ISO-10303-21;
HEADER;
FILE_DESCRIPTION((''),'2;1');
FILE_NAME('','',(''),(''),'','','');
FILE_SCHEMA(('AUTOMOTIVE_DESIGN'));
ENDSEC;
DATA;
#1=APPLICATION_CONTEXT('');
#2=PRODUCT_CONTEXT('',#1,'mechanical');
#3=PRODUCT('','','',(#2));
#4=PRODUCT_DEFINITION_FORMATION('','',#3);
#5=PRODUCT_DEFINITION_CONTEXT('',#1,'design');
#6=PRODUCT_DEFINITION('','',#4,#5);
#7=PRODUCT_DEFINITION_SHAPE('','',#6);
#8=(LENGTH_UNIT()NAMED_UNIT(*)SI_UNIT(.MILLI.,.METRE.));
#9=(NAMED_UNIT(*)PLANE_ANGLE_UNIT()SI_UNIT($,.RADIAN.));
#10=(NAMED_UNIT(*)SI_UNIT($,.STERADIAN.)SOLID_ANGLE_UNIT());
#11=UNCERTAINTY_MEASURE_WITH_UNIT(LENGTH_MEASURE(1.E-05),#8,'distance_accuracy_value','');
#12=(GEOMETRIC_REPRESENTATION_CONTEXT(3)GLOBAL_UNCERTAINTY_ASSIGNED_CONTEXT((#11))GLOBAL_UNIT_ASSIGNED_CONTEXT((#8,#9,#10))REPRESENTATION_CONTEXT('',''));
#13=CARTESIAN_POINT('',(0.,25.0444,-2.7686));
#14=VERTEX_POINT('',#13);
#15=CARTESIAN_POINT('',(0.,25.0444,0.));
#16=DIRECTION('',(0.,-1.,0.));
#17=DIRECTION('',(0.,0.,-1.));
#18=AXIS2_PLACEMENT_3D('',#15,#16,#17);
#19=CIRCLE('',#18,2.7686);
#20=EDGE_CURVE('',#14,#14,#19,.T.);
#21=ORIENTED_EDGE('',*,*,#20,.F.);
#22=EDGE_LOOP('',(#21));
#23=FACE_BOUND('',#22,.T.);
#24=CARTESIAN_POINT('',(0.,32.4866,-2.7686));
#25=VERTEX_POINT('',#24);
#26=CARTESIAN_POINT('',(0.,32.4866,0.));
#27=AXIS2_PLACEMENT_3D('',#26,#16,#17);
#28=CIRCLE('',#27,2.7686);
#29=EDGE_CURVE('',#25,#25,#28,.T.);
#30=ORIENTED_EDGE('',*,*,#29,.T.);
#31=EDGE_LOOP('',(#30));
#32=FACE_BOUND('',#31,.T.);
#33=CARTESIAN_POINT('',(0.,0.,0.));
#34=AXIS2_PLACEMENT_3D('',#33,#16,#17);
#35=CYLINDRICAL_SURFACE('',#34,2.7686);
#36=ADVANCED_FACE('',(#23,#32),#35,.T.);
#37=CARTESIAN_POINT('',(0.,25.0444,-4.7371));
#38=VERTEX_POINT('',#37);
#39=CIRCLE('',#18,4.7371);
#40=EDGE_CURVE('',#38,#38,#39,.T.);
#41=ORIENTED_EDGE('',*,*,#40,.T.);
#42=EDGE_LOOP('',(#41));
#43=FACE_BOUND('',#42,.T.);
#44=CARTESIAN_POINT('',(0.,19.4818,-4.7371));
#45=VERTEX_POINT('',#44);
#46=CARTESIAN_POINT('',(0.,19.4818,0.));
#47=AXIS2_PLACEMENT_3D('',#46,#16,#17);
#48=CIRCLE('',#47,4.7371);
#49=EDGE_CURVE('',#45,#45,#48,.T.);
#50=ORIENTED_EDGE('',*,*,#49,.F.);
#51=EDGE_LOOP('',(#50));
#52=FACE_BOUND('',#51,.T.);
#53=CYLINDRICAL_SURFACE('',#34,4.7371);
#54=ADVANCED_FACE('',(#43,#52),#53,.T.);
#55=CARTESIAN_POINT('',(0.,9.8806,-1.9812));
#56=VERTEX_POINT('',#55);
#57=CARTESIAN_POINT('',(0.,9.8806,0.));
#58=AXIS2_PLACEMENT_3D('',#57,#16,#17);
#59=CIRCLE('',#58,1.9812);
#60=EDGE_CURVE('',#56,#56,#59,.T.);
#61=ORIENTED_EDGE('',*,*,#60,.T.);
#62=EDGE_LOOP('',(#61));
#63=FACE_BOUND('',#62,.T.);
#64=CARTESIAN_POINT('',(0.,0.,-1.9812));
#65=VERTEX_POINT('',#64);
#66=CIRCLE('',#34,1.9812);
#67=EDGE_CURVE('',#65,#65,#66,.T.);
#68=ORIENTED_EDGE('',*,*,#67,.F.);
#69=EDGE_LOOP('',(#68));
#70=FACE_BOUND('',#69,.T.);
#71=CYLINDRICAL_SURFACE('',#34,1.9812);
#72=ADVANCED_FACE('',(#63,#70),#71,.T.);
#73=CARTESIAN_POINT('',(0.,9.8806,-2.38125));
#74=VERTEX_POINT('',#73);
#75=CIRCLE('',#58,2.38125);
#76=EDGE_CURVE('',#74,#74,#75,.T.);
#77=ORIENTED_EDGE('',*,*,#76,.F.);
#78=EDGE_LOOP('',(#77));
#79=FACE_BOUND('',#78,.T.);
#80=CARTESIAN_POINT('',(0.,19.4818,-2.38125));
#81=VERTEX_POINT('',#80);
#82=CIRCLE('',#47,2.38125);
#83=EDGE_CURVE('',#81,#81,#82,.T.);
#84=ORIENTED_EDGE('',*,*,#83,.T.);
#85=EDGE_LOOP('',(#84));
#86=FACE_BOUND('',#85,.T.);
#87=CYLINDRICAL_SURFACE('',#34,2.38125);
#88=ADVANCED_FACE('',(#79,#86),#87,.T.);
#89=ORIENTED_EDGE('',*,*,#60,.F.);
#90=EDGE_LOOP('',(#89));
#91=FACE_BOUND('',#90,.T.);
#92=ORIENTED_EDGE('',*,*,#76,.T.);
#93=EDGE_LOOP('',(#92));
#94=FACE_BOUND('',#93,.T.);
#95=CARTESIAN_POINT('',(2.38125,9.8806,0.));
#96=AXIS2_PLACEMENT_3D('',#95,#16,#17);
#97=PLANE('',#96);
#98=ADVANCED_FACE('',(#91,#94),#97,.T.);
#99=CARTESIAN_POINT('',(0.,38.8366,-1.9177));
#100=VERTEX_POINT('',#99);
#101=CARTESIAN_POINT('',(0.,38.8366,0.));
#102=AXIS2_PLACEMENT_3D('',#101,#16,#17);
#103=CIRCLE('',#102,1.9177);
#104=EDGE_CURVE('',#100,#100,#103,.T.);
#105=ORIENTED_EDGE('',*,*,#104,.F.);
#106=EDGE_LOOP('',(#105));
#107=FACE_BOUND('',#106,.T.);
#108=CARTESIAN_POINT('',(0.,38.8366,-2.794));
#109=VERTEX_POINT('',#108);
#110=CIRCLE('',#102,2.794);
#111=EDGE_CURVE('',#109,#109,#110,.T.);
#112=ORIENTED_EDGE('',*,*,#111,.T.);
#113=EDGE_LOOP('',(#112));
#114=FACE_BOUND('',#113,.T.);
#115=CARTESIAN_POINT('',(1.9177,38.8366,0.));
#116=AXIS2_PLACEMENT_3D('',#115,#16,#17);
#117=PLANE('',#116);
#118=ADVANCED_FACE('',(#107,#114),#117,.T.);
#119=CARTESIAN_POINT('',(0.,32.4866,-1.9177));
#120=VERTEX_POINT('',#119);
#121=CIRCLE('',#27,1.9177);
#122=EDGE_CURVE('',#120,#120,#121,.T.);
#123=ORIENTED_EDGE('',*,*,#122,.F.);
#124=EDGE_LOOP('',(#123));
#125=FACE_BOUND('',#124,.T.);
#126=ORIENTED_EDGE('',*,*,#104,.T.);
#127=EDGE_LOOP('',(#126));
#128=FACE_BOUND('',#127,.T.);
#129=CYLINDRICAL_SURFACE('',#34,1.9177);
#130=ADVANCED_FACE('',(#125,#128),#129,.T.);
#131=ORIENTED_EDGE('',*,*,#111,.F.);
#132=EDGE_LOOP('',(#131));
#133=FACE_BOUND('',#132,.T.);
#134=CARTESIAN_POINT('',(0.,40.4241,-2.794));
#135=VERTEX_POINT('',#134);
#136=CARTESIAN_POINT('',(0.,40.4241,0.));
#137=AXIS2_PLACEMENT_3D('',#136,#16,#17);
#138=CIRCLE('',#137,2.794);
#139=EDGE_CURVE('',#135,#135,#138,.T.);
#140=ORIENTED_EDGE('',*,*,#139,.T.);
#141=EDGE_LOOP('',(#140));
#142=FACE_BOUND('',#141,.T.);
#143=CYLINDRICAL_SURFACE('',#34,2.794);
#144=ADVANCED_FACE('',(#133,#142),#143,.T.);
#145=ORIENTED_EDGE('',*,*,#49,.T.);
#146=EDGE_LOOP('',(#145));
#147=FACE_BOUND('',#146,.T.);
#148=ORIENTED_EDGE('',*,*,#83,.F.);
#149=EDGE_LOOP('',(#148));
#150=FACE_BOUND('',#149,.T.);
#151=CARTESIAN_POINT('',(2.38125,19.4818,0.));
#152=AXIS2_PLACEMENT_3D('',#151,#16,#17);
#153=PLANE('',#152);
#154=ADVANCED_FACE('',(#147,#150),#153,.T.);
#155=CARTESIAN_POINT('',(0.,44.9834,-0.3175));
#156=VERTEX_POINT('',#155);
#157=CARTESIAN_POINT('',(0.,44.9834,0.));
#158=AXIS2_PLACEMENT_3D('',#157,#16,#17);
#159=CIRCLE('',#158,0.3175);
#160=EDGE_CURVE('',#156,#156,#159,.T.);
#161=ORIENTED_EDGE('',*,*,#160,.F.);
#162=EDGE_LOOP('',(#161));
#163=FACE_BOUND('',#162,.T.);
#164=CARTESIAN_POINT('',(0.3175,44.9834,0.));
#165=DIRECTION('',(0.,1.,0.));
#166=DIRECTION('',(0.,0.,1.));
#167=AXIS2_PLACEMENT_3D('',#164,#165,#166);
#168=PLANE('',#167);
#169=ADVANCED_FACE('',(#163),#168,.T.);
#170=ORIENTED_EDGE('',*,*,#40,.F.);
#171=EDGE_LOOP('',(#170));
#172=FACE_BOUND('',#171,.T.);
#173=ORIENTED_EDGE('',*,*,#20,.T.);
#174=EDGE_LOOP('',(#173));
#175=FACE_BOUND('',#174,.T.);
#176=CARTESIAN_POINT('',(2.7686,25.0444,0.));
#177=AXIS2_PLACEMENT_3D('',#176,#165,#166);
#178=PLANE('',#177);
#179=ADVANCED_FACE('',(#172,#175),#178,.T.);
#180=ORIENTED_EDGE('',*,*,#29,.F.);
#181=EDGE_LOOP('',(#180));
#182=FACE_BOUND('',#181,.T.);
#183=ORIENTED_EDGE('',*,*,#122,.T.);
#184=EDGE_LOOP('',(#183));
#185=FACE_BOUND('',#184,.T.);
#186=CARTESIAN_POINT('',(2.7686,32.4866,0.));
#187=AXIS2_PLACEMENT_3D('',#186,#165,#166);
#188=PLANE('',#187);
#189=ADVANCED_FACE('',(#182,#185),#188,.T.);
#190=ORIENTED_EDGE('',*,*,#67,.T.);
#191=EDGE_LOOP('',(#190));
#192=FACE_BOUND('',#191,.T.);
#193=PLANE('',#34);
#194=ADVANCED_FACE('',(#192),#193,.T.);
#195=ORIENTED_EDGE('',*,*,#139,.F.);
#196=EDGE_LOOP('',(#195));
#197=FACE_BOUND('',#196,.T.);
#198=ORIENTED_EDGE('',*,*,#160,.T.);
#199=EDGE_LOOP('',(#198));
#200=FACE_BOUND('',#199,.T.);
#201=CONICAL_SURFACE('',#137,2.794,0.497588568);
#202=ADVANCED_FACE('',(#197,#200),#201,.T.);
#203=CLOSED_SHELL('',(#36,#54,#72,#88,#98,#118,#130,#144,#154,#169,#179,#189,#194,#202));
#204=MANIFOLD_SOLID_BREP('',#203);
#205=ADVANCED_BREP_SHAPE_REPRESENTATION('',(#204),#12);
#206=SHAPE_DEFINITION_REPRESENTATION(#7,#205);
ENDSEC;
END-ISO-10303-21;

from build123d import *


with BuildPart() as part:
    # Sketch1 → Revolve1 (revolve)
    with BuildSketch(Plane.XY, mode=Mode.PRIVATE) as revolve1_sk:
        Polygon((0, 0), (1.9812, 0), (1.9812, 9.8806), (2.38125, 9.8806), (2.38125, 19.4818), (4.7371, 19.4818), (4.7371, 25.0444), (2.7686, 25.0444), (2.7686, 32.4866), (1.9177, 32.4866), (1.9177, 38.8366), (2.794, 38.8366), (2.794, 40.4241), (0.3175, 44.9834), (0, 44.9834), align=None)
    revolve(revolve1_sk.sketch.rotate(Axis((0, 0, 0), (0, 1, 0)), 90), axis=Axis((0, 0, 0), (0, 1, 0)))  # turned: the seam where the file's is


solid = part.part
